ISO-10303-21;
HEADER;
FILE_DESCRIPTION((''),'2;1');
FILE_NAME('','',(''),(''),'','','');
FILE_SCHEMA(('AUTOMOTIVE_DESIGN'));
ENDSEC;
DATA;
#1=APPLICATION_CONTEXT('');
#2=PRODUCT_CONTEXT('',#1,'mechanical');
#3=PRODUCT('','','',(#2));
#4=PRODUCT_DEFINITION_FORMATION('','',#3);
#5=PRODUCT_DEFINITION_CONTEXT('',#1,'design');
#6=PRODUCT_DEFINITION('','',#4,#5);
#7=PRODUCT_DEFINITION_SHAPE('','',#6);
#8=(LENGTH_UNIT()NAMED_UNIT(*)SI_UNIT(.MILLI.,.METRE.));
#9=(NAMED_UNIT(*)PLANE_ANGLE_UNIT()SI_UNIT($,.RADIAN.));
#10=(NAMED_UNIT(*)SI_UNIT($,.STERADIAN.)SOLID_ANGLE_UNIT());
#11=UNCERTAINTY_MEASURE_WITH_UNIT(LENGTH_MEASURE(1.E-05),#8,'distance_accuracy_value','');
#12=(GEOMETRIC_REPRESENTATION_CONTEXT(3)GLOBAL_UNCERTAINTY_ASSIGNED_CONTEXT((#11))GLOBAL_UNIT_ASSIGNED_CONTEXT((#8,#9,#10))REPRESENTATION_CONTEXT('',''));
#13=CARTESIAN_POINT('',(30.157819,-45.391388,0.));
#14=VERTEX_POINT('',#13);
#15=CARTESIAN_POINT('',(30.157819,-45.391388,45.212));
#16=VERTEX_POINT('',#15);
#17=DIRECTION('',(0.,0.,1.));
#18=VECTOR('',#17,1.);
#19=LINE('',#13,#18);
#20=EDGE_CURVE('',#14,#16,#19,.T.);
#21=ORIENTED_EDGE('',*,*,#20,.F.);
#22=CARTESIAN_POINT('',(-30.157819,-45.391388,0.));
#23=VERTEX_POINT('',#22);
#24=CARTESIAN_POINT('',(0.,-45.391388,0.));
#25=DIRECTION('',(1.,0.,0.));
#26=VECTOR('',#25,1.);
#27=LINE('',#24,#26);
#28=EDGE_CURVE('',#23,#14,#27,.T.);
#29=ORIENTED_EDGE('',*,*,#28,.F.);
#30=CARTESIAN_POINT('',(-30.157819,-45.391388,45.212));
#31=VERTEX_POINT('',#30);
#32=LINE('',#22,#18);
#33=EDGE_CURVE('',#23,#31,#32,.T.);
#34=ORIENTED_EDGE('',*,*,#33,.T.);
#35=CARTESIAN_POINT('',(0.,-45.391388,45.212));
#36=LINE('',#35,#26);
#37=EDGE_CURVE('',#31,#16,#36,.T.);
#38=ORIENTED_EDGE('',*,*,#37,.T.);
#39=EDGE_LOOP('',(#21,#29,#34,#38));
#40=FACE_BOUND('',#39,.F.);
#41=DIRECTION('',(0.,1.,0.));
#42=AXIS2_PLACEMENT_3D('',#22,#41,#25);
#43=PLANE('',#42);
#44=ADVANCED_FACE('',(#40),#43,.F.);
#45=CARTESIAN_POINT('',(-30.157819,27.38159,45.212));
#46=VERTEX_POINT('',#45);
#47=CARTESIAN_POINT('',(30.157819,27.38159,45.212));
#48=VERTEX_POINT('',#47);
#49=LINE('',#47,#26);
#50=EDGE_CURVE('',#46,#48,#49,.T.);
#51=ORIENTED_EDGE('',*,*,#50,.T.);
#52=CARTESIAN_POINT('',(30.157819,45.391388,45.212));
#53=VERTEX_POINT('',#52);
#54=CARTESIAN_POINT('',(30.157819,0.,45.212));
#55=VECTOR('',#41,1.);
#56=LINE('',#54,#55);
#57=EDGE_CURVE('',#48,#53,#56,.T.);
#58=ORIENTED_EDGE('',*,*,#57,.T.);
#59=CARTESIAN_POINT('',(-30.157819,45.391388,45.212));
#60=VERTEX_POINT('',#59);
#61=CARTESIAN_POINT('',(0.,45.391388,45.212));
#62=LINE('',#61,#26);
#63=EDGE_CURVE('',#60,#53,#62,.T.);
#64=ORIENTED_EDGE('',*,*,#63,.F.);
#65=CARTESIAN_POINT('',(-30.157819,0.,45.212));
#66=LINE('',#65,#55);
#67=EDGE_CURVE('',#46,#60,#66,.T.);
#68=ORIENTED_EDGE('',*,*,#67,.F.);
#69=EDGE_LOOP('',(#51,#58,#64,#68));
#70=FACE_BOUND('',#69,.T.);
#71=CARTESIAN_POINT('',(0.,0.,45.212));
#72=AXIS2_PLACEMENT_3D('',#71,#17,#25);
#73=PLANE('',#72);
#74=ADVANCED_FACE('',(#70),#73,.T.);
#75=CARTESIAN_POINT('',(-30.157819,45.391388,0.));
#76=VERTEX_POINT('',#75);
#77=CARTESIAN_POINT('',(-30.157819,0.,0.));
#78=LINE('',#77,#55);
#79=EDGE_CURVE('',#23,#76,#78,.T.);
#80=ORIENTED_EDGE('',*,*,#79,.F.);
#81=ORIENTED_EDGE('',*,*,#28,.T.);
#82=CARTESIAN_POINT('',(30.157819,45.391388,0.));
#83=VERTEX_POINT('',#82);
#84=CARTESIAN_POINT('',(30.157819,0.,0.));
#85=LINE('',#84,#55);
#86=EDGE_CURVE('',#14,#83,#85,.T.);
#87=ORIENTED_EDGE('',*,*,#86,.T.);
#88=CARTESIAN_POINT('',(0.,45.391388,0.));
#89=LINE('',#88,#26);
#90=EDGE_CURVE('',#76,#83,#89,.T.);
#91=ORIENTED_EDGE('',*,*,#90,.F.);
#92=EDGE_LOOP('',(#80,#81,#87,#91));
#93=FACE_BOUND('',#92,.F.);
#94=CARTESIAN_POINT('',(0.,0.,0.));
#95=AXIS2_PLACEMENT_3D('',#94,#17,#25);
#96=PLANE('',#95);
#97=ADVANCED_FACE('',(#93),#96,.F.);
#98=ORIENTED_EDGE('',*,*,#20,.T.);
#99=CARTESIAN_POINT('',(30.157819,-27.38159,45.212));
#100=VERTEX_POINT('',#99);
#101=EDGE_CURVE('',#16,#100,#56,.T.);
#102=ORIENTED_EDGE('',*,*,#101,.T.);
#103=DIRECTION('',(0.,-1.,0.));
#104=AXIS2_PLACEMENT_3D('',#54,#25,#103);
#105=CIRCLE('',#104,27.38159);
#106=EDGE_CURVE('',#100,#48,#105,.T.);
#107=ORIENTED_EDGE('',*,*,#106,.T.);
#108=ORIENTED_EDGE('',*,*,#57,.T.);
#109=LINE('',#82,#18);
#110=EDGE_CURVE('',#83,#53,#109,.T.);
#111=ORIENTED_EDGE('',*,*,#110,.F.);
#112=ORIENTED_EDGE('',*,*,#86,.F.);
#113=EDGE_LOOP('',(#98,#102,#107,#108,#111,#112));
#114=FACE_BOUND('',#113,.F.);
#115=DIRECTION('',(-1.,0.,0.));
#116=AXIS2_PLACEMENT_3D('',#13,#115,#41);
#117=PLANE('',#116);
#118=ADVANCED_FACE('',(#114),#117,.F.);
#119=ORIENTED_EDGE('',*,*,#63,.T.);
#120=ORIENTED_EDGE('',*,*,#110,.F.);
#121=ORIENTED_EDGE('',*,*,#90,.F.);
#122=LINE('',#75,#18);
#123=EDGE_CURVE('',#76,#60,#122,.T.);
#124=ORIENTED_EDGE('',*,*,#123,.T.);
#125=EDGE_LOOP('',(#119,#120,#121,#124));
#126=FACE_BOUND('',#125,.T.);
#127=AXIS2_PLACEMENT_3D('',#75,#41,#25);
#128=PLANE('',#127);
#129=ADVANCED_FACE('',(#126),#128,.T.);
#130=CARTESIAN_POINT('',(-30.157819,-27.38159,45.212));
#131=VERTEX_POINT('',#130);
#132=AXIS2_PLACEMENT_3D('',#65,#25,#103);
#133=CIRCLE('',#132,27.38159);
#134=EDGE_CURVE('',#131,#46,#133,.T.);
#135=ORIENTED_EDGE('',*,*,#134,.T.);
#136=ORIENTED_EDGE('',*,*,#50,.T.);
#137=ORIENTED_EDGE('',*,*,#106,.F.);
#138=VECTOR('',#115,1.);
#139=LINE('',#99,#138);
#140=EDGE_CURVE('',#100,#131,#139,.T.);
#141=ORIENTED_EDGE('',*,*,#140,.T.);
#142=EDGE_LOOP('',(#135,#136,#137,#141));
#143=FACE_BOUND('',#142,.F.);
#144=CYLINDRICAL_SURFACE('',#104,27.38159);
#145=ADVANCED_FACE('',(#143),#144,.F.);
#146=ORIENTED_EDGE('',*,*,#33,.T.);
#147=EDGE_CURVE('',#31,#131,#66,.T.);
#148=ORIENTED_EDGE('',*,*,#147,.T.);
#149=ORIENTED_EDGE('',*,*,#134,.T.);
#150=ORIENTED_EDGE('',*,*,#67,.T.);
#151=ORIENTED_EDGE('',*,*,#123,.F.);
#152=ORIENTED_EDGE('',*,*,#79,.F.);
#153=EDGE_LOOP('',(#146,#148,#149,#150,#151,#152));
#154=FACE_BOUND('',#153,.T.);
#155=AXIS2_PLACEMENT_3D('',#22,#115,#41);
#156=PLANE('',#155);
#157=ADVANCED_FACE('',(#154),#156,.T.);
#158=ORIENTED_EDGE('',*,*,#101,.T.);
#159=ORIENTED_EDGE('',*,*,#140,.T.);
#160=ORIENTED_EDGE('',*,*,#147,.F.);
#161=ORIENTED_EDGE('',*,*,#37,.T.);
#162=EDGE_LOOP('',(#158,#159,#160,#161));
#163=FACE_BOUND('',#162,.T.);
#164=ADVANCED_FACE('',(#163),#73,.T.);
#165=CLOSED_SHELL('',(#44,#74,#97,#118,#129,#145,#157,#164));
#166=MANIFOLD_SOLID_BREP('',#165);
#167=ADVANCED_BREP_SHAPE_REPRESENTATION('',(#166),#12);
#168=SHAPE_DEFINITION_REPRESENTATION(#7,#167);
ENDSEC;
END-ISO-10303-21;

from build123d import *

# Parameters (mm, degrees)
F0_W     = 60.315638
F0_H     = 90.782776
F1_DEPTH = 45.212
F3_DEPTH = 80.264


with BuildPart() as f1:
    # F0 (on Top) → F1 (new body)
    with BuildSketch(Plane.XY):
        Rectangle(F0_W, F0_H)
    extrude(amount=F1_DEPTH)

    # F2 (on face) → F3 (cut)
    with BuildSketch(Plane.YZ.offset(30.157819)):
        with BuildLine():
            Line((-27.38159, 45.212), (27.38159, 45.212))
            ThreePointArc((27.38159, 45.212), (0, 72.59359), (-27.38159, 45.212))
        make_face()
        with BuildLine():
            ThreePointArc((-27.38159, 45.212), (0, 17.83041), (27.38159, 45.212))
            Line((27.38159, 45.212), (-27.38159, 45.212))
        make_face()
    extrude(amount=-F3_DEPTH, mode=Mode.SUBTRACT)


solid = f1.part
